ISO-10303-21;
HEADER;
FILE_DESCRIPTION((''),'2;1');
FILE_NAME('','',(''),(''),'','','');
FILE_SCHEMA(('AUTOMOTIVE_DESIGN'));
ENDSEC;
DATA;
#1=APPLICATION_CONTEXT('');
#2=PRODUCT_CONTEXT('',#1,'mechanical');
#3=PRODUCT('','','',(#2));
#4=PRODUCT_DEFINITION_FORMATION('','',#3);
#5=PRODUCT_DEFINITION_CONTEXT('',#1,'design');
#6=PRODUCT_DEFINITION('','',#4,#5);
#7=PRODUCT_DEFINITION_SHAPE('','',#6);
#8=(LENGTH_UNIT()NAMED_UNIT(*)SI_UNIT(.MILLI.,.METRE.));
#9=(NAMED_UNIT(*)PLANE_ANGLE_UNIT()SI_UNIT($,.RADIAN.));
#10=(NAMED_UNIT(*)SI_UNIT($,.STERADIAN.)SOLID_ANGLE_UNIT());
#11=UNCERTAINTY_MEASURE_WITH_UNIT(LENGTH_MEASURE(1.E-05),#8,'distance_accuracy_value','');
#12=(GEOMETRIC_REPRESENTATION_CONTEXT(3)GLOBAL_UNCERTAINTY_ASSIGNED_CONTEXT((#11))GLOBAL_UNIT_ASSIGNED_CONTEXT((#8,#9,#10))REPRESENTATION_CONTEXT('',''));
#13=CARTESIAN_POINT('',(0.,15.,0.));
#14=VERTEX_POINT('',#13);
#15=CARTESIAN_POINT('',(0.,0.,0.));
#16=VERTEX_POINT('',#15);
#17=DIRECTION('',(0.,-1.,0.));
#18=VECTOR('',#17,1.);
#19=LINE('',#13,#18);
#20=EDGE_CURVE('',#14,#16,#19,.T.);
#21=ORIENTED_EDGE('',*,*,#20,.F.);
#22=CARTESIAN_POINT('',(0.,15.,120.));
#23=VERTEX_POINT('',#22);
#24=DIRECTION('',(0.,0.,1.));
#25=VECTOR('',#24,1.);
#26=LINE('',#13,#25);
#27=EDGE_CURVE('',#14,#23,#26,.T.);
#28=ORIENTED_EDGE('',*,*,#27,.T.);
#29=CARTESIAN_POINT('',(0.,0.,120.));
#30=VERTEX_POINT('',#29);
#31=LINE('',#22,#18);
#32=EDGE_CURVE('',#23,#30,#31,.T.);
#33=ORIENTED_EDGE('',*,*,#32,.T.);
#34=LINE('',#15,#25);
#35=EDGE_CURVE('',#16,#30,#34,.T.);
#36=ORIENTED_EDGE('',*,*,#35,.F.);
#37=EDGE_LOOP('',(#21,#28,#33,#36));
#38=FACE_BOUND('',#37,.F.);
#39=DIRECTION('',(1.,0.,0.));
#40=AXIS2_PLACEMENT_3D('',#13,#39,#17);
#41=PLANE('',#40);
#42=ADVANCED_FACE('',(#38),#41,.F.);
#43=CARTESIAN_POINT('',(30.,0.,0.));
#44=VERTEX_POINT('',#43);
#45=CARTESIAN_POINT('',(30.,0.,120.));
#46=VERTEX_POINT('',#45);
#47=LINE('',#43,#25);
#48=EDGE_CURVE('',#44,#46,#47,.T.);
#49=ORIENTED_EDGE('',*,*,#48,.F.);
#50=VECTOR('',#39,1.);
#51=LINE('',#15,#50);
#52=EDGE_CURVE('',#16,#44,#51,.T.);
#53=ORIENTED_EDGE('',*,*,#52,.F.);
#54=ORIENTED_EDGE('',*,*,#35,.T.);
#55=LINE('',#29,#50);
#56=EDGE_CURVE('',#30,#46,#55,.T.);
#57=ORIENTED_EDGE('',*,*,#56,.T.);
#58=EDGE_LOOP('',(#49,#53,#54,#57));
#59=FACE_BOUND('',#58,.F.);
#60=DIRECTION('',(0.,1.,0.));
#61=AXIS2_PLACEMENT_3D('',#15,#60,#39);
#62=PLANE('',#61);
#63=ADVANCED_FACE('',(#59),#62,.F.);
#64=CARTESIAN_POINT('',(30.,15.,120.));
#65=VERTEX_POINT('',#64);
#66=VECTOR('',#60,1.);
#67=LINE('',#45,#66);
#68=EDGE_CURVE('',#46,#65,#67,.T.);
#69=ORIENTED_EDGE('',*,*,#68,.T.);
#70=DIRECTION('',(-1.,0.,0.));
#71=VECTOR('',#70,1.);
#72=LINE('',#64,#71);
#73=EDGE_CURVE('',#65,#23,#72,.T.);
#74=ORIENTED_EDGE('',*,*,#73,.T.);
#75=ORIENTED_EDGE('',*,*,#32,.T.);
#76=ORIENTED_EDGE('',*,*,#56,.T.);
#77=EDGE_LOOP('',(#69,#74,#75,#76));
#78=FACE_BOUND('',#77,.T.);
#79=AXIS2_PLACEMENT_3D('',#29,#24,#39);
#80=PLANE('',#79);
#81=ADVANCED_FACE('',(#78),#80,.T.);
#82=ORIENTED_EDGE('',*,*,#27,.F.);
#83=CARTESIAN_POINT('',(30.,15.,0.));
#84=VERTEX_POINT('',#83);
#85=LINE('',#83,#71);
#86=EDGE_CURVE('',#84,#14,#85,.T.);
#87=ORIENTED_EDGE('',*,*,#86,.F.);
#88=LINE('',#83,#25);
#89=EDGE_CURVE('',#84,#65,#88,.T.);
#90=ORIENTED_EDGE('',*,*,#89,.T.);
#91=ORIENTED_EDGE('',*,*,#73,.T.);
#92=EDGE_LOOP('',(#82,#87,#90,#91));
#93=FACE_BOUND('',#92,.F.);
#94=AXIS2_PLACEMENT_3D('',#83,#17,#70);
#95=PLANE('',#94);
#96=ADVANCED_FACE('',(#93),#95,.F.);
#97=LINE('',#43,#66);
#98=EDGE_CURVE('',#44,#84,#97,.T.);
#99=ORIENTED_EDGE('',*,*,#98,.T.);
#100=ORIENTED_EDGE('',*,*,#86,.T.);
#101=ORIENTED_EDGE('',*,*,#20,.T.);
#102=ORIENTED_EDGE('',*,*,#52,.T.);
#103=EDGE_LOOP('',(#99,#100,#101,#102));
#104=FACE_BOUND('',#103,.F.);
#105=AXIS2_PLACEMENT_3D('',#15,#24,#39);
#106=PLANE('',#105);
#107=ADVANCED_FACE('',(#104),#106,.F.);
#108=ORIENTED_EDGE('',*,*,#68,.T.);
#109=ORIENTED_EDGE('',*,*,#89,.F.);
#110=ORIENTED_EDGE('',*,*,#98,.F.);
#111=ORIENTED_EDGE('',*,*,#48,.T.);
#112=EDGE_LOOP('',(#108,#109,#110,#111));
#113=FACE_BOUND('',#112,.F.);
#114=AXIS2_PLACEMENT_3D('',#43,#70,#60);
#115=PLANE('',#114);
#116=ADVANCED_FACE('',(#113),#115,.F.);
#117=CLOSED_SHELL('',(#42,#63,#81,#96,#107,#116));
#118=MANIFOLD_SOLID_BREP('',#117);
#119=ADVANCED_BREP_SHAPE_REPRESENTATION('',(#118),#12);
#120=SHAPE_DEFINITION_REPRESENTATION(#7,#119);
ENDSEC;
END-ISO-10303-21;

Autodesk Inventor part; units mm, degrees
ref_plane "YZ Plane" through (0, 0, 0) normal (1, 0, 0) x (0, 1, 0)
ref_plane "XZ Plane" through (0, 0, 0) normal (0, 1, 0) x (-1, 0, 0)
ref_plane "XY Plane" through (0, 0, 0) normal (0, 0, 1) x (1, 0, 0)
sketch "スケッチ1" plane through (0, 0, 0) normal (0, 0, 1) x (1, 0, 0)
  line L0 (0, 0) -> (30, 0)
  line L1 (30, 0) -> (30, 15)
  line L2 (30, 15) -> (0, 15)
  line L3 (0, 15) -> (0, 0)
  dimension "d0" = 30
  dimension "d1" = 15
extrude "押し出し1" add sketch "スケッチ1" along normal blind 120
properties part number "射出_角柱8"
